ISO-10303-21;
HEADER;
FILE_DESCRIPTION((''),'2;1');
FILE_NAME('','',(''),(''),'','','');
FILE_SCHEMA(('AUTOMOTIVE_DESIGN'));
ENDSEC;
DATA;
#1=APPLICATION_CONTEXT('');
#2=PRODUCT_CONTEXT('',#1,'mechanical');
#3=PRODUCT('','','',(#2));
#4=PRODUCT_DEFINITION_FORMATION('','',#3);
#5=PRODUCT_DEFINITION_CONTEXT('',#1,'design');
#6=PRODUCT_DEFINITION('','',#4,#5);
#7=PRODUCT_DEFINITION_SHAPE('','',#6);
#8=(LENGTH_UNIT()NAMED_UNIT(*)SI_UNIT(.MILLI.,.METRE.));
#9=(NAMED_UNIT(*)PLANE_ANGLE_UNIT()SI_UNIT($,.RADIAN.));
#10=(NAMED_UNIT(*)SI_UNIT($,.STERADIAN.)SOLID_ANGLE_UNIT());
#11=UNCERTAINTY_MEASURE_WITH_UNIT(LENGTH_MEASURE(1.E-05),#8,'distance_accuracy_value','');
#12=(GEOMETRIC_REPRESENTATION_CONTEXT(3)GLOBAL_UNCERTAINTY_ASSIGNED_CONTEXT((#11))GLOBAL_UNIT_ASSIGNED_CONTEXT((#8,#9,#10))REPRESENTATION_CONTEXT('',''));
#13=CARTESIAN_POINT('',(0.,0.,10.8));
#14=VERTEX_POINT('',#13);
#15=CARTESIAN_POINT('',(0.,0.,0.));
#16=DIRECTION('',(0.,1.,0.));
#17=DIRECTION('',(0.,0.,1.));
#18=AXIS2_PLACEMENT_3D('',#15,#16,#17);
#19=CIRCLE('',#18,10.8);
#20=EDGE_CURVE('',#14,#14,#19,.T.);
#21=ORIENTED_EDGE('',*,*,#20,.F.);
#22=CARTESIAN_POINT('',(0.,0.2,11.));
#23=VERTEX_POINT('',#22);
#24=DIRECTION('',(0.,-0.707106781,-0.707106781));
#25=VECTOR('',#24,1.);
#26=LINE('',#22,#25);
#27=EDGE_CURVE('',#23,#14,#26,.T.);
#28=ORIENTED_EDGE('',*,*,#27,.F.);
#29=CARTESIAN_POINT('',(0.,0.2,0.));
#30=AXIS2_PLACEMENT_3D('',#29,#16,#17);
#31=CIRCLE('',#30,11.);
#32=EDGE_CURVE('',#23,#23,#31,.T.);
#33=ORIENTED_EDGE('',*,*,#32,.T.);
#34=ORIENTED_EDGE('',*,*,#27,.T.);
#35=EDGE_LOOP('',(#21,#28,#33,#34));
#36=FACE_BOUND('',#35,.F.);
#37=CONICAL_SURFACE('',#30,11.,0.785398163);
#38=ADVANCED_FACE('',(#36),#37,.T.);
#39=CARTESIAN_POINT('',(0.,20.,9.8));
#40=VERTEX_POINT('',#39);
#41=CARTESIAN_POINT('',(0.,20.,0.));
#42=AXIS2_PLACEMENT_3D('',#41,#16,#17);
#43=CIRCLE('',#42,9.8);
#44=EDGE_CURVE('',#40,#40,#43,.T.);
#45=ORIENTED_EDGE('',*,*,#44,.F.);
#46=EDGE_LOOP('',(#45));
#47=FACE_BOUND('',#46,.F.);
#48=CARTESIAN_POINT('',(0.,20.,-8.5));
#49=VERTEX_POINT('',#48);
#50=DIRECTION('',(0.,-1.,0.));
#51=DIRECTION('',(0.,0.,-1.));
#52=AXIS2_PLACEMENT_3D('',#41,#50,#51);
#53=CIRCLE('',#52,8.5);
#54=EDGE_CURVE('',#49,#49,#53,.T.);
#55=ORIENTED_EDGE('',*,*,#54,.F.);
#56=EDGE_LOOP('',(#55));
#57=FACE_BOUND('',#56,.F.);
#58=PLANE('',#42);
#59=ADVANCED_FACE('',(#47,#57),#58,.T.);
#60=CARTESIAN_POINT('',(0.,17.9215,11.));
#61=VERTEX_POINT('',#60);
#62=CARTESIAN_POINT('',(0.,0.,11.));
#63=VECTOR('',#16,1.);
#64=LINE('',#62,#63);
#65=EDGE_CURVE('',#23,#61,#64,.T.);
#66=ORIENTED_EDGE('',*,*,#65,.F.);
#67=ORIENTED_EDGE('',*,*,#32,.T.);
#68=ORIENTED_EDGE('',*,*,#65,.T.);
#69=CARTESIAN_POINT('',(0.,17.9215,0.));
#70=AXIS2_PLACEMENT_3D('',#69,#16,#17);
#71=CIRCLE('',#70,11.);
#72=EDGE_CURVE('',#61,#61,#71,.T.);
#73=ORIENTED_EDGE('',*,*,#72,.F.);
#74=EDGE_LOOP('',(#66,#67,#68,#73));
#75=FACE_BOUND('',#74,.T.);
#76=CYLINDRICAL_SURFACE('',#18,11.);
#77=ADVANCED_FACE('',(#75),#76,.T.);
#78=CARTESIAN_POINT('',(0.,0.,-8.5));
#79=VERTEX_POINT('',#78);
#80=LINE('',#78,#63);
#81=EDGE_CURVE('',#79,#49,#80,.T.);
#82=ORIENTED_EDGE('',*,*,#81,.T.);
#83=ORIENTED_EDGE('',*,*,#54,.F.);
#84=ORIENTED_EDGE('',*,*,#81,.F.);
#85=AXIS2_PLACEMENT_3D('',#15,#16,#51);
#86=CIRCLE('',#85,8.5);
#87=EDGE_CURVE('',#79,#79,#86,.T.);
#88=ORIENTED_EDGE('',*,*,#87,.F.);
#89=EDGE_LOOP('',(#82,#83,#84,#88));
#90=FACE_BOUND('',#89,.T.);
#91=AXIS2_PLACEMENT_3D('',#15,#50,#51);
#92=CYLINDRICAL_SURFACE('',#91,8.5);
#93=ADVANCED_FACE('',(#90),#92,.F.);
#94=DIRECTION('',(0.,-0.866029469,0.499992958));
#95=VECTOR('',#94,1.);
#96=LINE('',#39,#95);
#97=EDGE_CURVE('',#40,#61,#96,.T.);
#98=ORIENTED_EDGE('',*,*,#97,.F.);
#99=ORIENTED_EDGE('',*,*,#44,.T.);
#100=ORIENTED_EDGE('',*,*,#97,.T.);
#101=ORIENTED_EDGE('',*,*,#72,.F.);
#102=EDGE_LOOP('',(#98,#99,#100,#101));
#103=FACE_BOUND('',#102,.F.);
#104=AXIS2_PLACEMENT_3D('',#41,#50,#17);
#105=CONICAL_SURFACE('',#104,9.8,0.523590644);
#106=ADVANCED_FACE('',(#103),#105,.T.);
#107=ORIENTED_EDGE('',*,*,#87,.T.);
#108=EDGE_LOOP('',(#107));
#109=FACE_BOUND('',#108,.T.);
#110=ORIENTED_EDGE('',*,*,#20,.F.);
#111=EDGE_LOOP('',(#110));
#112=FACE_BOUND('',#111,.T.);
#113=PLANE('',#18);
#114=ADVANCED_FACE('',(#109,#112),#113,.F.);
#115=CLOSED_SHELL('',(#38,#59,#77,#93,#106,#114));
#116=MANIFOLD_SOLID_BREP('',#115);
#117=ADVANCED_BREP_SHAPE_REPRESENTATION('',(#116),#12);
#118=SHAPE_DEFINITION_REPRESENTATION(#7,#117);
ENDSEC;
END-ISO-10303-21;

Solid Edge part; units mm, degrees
sketch "Sketch1" plane through (0, 0, 0) normal (1, 0, 0) x (0, 1, 0)
  line L0 (0, 11) -> (17.9215, 11)
  line L1 (20, 9.8) -> (17.9215, 11)
  line L2 (20, 0) -> (20, 9.8)
  line L3 (0, 0) -> (20, 0)
  line L4 (0, 0) -> (0, 11)
revolve "RevolvedProtrusion1" add sketch "Sketch1" angle 360 about axis through (0, -25, 0) along (0, 1, 0)
chamfer "Chaflán_1" distance 0.2 angle 45 1 edges at (0, 0, 11)
hole "Agujero_1" at (0, 0, 0) direction (0, 1, 0) diameter 17 end up to next
